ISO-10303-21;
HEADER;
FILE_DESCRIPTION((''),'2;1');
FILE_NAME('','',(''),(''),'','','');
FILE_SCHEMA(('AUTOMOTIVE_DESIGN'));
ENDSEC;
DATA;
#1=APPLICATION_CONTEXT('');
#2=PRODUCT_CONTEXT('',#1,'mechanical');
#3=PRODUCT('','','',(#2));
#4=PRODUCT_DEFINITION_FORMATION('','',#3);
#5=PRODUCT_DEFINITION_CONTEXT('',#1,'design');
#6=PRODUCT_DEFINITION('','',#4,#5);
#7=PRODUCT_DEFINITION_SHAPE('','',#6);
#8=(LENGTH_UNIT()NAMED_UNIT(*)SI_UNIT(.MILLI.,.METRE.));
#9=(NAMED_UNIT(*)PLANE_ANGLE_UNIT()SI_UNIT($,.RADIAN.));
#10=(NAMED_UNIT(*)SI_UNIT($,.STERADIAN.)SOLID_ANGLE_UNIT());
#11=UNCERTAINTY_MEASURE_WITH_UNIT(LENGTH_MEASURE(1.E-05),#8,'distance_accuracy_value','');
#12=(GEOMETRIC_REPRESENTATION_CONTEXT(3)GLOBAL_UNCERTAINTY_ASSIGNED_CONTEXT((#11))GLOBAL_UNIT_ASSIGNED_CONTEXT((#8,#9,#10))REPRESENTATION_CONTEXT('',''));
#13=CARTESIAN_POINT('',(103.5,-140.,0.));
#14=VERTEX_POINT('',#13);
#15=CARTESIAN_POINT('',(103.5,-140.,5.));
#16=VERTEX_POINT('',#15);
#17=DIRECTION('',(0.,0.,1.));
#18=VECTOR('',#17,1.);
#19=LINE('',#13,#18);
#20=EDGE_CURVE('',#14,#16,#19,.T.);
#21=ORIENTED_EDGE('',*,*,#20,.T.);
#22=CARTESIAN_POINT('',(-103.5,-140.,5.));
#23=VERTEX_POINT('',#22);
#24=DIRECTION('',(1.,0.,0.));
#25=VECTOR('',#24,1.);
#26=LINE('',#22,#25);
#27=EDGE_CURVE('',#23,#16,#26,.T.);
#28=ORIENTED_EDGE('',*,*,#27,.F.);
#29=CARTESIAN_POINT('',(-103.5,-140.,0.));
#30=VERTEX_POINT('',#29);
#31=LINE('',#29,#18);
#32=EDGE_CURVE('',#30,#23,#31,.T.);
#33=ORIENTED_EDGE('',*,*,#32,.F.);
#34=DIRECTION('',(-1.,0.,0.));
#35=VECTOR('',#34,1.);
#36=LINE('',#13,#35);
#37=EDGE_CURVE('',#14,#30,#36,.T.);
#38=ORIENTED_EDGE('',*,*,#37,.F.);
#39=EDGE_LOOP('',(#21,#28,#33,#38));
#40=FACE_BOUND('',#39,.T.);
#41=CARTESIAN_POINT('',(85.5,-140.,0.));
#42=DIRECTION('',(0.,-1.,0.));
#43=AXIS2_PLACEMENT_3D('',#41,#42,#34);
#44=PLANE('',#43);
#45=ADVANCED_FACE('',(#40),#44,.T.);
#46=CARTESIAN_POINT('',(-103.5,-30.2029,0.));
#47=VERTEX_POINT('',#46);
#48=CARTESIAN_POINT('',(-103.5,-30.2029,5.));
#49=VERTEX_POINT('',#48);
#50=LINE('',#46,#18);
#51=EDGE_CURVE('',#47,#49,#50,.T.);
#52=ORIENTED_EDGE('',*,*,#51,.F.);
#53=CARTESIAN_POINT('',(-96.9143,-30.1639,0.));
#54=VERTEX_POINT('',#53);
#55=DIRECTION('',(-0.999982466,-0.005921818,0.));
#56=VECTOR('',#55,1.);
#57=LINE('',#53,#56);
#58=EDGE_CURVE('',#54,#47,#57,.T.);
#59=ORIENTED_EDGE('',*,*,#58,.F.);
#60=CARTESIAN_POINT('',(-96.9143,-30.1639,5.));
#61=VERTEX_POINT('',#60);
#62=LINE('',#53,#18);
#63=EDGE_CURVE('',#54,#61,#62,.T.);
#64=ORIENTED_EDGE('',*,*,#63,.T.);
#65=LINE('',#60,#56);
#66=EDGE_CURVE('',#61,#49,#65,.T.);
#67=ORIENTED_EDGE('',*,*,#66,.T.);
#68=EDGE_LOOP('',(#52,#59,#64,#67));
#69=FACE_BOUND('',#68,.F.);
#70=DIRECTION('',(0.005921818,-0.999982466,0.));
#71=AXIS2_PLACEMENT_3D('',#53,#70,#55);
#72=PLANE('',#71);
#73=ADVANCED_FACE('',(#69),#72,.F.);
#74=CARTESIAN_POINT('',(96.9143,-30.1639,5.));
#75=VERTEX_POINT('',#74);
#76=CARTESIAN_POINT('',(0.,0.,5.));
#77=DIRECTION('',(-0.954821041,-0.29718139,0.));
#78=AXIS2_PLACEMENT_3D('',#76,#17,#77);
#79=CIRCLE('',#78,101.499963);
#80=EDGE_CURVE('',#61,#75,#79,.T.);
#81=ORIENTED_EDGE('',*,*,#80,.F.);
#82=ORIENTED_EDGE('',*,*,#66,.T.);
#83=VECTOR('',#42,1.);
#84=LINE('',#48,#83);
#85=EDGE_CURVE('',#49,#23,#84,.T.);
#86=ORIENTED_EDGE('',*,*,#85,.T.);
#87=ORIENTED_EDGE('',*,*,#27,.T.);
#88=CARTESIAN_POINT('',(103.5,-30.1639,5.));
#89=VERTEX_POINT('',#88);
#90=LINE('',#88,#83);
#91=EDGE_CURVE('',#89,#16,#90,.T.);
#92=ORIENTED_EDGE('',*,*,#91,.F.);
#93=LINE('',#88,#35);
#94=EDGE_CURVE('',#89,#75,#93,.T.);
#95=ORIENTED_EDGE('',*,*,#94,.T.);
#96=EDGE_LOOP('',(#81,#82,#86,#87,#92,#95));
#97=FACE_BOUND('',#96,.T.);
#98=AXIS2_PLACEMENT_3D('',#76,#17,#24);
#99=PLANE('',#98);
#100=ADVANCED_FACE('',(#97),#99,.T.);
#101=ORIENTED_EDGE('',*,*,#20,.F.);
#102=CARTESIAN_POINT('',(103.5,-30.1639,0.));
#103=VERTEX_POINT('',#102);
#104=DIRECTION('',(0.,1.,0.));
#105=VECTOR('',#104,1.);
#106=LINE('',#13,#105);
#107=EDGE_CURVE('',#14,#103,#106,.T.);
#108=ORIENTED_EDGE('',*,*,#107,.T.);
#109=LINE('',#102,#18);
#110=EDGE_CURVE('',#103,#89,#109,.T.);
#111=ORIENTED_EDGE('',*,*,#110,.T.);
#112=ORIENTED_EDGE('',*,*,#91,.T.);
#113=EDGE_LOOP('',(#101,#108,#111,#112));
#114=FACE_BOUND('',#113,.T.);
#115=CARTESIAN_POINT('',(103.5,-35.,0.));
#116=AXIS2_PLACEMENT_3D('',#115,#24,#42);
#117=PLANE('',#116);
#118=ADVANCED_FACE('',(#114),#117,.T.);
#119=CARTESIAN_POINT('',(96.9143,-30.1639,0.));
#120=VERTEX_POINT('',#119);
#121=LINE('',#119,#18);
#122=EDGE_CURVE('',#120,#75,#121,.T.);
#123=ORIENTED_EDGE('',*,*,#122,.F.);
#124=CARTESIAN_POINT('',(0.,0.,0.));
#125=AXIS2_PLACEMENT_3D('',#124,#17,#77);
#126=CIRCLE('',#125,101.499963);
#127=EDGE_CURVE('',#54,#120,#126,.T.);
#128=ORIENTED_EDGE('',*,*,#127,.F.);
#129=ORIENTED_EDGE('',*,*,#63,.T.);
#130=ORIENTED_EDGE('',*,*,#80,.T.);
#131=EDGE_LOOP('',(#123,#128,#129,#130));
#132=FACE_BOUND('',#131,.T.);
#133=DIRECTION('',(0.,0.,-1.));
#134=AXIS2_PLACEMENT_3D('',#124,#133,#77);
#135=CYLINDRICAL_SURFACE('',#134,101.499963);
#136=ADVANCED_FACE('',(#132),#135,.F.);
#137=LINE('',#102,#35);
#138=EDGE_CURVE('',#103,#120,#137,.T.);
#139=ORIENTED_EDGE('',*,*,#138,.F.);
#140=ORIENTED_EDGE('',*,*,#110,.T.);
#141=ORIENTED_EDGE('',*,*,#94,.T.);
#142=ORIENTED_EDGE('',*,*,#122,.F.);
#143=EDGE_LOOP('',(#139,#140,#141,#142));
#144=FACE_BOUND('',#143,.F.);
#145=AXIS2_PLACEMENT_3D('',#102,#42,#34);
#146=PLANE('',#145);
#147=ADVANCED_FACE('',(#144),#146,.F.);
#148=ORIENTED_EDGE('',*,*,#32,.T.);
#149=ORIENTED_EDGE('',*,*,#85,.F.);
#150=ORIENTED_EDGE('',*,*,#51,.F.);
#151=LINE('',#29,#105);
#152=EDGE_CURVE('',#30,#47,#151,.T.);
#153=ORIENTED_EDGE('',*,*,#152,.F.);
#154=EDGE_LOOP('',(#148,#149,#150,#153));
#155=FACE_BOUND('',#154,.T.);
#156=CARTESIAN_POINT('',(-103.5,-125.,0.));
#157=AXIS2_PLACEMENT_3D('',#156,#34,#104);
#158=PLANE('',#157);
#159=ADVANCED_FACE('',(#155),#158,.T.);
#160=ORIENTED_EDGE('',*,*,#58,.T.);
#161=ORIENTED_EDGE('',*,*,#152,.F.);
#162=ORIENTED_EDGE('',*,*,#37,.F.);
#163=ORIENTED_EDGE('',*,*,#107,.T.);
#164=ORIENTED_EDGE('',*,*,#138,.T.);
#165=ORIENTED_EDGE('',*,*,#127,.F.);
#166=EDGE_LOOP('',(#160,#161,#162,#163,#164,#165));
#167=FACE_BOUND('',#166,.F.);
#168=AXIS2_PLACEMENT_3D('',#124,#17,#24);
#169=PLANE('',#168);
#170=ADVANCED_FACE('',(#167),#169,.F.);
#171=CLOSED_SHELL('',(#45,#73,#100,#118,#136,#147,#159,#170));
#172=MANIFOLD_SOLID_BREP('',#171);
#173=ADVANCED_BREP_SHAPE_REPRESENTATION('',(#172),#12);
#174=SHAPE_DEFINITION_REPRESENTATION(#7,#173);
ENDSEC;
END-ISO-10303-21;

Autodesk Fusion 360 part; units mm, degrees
sketch "Boceto1" plane through (0, 0, 0) normal (0, 0, 1) x (1, 0, 0)
  line L0 (-100.5, 0) -> (-103.5, 0)
  line L1 (101.5, 0) -> (103.5, 0)
  line L2 (103.5, -35) -> (103.5, -140)
  line L3 (103.5, -140) -> (-103.5, -140)
  line L4 (-103.5, -140) -> (-103.5, -35)
  line L5 (-103.5, -35) -> (-100.5, -35)
  line L6 (-100.5, -35) -> (-100.5, -50)
  line L7 (-100.5, -50) -> (-103.5, -50)
  line L8 (-103.5, -50) -> (-103.5, -35)
  line L9 (-103.5, -140) -> (-100.5, -140)
  line L10 (-100.5, -140) -> (-100.5, -125)
  line L11 (-100.5, -125) -> (-103.5, -125)
  line L12 (-103.5, -125) -> (-103.5, -140)
  line L13 (103.5, -140) -> (100.5, -140)
  line L14 (100.5, -140) -> (100.5, -125)
  line L15 (100.5, -125) -> (103.5, -125)
  line L16 (103.5, -125) -> (103.5, -140)
  line L17 (103.5, -35) -> (100.5, -35)
  line L18 (100.5, -35) -> (100.5, -50)
  line L19 (100.5, -50) -> (103.5, -50)
  line L20 (103.5, -50) -> (103.5, -35)
  line L21 (-100.5, -140) -> (-85.5, -140)
  line L22 (-85.5, -140) -> (-85.5, -137)
  line L23 (-85.5, -137) -> (-100.5, -137)
  line L24 (-100.5, -137) -> (-100.5, -140)
  line L25 (100.5, -137) -> (85.5, -137)
  line L26 (85.5, -137) -> (85.5, -140)
  line L27 (85.5, -140) -> (100.5, -140)
  line L28 (100.5, -140) -> (100.5, -137)
  line L29 (103.5, 0) -> (101.5, 0)
  line L30 (-103.5, 0) -> (-101.5, 0)
  arc A0 (-96.9143, -30.1639) -> (96.9143, -30.1639) centre (0, 0) ccw
  line L31 (144.0225, -140) -> (144.0225, -30)
  line L32 (103.5, -30.1639) -> (96.9143, -30.1639)
  line L33 (-96.9143, -30.1639) -> (-103.5, -30.2029)
  line L34 (-103.5, -30.2029) -> (-103.5, -35)
  line L35 (103.5, -30.1639) -> (103.5, -35)
  dimension "d2" = 3
  dimension "d5" = 3
  dimension "d6" = 15
  dimension "d7" = 15
  dimension "d8" = 3
  dimension "d9" = 15
  dimension "d10" = 140
  dimension "d11" = 3
  dimension "d12" = 15
  dimension "d17" = 15
  dimension "d18" = 15
  dimension "d19" = 3
  dimension "d20" = 3
  dimension "d21" = 203
  dimension "d22" = 207
  dimension "d23" = 103.5
  dimension "d24" = 3
  dimension "d25" = 3
  dimension "d26" = 110
  dimension "d27" = 90
  dimension "d28" = 90
extrude "Extruir3" add sketch "Boceto1" along normal blind 5
extrude "Extruir1" [suppressed]
extrude "Extruir2" [suppressed]
